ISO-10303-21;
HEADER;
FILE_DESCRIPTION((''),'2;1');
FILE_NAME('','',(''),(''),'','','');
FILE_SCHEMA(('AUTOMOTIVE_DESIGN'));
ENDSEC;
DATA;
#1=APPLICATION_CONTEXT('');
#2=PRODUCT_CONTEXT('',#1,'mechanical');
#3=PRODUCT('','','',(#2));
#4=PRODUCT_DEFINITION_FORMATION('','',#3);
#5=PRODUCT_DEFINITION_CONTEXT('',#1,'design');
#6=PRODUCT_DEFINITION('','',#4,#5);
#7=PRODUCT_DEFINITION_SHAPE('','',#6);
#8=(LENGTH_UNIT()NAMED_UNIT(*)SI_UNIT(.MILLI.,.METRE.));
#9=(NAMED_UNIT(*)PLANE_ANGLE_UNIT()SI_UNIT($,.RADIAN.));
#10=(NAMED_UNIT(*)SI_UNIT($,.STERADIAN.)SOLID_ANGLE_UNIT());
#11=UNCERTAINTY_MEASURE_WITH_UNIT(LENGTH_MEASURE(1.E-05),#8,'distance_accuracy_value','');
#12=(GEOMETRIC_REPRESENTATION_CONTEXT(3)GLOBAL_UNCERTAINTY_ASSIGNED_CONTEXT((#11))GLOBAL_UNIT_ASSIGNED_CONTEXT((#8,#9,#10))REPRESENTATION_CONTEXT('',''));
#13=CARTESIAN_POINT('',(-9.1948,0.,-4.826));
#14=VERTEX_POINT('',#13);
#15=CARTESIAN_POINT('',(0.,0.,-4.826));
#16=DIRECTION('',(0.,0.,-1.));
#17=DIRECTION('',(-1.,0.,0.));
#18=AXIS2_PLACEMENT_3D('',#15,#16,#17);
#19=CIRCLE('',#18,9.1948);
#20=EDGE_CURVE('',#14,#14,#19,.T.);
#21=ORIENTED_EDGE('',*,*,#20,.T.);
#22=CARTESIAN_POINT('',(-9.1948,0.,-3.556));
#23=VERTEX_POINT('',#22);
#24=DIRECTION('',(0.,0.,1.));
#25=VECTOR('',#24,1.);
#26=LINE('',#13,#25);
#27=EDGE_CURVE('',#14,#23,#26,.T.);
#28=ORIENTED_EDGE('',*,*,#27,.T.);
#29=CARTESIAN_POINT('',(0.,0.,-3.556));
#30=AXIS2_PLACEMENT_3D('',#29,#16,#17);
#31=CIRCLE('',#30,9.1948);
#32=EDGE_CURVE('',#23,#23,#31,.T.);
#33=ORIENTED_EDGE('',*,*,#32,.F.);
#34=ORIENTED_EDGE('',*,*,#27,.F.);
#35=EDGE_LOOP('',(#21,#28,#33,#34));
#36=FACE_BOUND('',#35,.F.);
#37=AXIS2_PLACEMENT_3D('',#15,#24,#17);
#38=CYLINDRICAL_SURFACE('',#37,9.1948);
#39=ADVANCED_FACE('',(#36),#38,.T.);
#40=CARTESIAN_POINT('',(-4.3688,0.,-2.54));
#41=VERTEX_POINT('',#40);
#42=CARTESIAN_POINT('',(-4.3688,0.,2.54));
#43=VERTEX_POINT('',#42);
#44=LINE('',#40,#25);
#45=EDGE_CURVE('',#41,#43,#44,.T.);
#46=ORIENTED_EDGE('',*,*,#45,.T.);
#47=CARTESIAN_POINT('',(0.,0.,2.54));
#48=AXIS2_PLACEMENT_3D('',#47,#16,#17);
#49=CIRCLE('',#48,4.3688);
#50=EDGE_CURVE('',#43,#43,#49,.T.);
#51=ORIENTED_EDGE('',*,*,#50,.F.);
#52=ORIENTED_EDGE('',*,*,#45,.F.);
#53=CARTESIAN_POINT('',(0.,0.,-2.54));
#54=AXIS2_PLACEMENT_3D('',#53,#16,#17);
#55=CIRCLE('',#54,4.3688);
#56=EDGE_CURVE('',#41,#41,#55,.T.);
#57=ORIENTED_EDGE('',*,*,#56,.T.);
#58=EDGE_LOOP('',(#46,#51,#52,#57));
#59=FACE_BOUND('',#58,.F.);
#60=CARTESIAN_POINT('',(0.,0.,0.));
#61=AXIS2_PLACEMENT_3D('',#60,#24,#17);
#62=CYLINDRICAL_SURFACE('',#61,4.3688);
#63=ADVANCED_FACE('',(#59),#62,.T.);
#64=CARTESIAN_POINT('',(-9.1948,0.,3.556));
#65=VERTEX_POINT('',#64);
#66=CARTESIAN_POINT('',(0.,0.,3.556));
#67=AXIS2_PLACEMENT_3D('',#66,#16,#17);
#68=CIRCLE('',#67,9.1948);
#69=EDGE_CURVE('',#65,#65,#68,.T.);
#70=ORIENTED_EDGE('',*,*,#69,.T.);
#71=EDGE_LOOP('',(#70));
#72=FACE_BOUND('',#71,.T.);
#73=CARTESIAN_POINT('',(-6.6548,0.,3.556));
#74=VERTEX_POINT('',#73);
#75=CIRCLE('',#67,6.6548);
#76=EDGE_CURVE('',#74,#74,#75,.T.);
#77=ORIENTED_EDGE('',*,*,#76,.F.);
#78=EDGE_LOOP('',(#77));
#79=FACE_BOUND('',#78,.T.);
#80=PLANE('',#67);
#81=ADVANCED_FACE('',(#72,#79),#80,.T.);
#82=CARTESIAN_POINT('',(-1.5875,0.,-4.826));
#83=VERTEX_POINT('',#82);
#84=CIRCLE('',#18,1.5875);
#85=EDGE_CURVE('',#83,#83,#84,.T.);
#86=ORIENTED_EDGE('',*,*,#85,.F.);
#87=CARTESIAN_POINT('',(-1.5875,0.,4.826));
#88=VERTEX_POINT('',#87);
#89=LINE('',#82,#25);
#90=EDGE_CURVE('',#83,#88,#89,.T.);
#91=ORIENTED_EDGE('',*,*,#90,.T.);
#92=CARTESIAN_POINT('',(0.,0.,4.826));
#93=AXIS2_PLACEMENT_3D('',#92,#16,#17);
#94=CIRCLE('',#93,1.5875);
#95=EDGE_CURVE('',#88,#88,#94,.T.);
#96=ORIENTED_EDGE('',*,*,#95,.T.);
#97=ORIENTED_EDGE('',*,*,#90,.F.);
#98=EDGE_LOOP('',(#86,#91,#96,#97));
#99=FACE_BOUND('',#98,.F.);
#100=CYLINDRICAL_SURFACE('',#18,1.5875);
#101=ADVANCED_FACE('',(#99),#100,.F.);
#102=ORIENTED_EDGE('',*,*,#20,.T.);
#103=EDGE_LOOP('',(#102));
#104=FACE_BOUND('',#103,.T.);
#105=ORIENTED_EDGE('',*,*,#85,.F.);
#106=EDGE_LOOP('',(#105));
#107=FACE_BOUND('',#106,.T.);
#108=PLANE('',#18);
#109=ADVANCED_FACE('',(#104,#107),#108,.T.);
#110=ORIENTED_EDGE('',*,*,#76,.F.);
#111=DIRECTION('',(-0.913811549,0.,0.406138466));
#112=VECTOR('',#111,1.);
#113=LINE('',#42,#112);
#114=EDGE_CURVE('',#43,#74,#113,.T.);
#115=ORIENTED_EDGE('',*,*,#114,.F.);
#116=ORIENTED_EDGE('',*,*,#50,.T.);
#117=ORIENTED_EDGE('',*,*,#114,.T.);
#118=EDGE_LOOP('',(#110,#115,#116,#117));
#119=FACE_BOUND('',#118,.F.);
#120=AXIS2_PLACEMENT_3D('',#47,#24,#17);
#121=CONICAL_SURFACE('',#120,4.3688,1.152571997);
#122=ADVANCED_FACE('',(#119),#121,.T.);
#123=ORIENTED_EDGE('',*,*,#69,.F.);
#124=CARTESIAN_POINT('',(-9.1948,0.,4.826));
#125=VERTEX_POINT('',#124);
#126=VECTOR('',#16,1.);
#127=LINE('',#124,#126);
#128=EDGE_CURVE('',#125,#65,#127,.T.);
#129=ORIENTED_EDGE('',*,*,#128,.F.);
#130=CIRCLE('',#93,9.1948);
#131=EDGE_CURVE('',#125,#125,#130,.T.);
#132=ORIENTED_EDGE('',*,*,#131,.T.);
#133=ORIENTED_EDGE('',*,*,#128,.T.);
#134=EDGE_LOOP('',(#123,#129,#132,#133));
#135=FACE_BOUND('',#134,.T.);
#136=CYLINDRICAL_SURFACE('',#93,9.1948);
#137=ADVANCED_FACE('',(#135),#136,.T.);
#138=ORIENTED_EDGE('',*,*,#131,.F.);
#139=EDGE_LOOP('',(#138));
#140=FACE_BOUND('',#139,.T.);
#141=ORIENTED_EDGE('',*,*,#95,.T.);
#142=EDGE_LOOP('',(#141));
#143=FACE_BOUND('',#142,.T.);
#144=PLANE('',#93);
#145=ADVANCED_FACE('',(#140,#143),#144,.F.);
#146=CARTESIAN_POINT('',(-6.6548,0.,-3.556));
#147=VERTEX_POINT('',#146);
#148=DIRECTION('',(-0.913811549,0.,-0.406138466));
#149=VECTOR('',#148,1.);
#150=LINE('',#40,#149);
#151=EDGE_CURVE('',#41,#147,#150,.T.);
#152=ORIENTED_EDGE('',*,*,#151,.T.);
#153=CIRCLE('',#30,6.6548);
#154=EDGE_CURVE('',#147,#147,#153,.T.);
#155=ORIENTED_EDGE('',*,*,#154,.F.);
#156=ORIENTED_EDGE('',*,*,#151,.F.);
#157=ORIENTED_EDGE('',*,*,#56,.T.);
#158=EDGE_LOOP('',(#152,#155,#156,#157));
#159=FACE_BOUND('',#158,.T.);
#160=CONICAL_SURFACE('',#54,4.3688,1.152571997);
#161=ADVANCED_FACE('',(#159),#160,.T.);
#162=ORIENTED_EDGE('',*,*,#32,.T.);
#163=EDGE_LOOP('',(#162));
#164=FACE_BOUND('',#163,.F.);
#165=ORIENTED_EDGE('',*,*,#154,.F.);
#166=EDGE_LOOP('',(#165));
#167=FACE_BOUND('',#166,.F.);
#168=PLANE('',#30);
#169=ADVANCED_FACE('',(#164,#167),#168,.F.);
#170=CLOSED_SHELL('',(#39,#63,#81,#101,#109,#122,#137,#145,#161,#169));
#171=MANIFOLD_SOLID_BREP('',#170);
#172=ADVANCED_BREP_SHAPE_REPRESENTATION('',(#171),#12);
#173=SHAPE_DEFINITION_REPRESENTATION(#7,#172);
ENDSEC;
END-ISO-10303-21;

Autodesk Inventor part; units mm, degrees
ref_plane "YZ Plane" through (0, 0, 0) normal (1, 0, 0) x (0, 1, 0)
ref_plane "XZ Plane" through (0, 0, 0) normal (0, 1, 0) x (-1, 0, 0)
ref_plane "XY Plane" through (0, 0, 0) normal (0, 0, 1) x (1, 0, 0)
sketch "Sketch1" plane through (0, 0, 0) normal (0, 1, 0) x (-1, 0, 0)
  line L0 (0, 0) -> (0, -4.826)
  line L1 (0, -4.826) -> (0, 0)
  line L2 (0, 0) -> (0, 4.826)
  line L3 (0, 4.826) -> (9.1948, 4.826)
  line L4 (9.1948, -4.826) -> (0, -4.826)
  line L5 (9.1948, 4.826) -> (9.1948, 3.556)
  line L6 (9.1948, 3.556) -> (6.6548, 3.556)
  line L7 (9.1948, -4.826) -> (9.1948, -3.556)
  line L8 (9.1948, -3.556) -> (6.6548, -3.556)
  line L9 (9.1948, 4.826) -> (9.1948, 3.556)
  line L10 (9.1948, -3.556) -> (9.1948, -4.826)
  line L11 (9.1948, 0) -> (6.0198, 0)
  line L12 (5.6388, 0) -> (4.3688, 0)
  line L13 (4.3688, 0) -> (4.3688, -2.54)
  line L14 (4.3688, -2.54) -> (4.3688, 0)
  line L15 (4.3688, 0) -> (4.3688, 2.54)
  line L16 (4.3688, 2.54) -> (6.6548, 3.556)
  line L17 (4.3688, -2.54) -> (6.6548, -3.556)
  dimension "d0" = 4.826
  dimension "d1" = 4.826
  dimension "d2" = 9.1948
  dimension "d3" = 1.27
  dimension "d4" = 2.54
  dimension "d5" = 1.27
  dimension "d6" = 2.54
  dimension "d7" = 3.175
  dimension "d9" = 1.27
  dimension "d10" = 2.54
  dimension "d11" = 2.54
  dimension "d12" = 2.54
revolve "Revolution1" add sketch "Sketch1" angle 360 about axis through (0, 0, 0) along (0, 0, -1)
sketch "Sketch2" plane through (0, 0, -4.826) normal (0, 0, -1) x (-1, 0, 0)
  circle A0 centre (0, 0) radius 1.5875
  dimension "d14" = 3.175
extrude "Extrusion1" cut sketch "Sketch2" against normal through all
properties part number "updated_wheel"
